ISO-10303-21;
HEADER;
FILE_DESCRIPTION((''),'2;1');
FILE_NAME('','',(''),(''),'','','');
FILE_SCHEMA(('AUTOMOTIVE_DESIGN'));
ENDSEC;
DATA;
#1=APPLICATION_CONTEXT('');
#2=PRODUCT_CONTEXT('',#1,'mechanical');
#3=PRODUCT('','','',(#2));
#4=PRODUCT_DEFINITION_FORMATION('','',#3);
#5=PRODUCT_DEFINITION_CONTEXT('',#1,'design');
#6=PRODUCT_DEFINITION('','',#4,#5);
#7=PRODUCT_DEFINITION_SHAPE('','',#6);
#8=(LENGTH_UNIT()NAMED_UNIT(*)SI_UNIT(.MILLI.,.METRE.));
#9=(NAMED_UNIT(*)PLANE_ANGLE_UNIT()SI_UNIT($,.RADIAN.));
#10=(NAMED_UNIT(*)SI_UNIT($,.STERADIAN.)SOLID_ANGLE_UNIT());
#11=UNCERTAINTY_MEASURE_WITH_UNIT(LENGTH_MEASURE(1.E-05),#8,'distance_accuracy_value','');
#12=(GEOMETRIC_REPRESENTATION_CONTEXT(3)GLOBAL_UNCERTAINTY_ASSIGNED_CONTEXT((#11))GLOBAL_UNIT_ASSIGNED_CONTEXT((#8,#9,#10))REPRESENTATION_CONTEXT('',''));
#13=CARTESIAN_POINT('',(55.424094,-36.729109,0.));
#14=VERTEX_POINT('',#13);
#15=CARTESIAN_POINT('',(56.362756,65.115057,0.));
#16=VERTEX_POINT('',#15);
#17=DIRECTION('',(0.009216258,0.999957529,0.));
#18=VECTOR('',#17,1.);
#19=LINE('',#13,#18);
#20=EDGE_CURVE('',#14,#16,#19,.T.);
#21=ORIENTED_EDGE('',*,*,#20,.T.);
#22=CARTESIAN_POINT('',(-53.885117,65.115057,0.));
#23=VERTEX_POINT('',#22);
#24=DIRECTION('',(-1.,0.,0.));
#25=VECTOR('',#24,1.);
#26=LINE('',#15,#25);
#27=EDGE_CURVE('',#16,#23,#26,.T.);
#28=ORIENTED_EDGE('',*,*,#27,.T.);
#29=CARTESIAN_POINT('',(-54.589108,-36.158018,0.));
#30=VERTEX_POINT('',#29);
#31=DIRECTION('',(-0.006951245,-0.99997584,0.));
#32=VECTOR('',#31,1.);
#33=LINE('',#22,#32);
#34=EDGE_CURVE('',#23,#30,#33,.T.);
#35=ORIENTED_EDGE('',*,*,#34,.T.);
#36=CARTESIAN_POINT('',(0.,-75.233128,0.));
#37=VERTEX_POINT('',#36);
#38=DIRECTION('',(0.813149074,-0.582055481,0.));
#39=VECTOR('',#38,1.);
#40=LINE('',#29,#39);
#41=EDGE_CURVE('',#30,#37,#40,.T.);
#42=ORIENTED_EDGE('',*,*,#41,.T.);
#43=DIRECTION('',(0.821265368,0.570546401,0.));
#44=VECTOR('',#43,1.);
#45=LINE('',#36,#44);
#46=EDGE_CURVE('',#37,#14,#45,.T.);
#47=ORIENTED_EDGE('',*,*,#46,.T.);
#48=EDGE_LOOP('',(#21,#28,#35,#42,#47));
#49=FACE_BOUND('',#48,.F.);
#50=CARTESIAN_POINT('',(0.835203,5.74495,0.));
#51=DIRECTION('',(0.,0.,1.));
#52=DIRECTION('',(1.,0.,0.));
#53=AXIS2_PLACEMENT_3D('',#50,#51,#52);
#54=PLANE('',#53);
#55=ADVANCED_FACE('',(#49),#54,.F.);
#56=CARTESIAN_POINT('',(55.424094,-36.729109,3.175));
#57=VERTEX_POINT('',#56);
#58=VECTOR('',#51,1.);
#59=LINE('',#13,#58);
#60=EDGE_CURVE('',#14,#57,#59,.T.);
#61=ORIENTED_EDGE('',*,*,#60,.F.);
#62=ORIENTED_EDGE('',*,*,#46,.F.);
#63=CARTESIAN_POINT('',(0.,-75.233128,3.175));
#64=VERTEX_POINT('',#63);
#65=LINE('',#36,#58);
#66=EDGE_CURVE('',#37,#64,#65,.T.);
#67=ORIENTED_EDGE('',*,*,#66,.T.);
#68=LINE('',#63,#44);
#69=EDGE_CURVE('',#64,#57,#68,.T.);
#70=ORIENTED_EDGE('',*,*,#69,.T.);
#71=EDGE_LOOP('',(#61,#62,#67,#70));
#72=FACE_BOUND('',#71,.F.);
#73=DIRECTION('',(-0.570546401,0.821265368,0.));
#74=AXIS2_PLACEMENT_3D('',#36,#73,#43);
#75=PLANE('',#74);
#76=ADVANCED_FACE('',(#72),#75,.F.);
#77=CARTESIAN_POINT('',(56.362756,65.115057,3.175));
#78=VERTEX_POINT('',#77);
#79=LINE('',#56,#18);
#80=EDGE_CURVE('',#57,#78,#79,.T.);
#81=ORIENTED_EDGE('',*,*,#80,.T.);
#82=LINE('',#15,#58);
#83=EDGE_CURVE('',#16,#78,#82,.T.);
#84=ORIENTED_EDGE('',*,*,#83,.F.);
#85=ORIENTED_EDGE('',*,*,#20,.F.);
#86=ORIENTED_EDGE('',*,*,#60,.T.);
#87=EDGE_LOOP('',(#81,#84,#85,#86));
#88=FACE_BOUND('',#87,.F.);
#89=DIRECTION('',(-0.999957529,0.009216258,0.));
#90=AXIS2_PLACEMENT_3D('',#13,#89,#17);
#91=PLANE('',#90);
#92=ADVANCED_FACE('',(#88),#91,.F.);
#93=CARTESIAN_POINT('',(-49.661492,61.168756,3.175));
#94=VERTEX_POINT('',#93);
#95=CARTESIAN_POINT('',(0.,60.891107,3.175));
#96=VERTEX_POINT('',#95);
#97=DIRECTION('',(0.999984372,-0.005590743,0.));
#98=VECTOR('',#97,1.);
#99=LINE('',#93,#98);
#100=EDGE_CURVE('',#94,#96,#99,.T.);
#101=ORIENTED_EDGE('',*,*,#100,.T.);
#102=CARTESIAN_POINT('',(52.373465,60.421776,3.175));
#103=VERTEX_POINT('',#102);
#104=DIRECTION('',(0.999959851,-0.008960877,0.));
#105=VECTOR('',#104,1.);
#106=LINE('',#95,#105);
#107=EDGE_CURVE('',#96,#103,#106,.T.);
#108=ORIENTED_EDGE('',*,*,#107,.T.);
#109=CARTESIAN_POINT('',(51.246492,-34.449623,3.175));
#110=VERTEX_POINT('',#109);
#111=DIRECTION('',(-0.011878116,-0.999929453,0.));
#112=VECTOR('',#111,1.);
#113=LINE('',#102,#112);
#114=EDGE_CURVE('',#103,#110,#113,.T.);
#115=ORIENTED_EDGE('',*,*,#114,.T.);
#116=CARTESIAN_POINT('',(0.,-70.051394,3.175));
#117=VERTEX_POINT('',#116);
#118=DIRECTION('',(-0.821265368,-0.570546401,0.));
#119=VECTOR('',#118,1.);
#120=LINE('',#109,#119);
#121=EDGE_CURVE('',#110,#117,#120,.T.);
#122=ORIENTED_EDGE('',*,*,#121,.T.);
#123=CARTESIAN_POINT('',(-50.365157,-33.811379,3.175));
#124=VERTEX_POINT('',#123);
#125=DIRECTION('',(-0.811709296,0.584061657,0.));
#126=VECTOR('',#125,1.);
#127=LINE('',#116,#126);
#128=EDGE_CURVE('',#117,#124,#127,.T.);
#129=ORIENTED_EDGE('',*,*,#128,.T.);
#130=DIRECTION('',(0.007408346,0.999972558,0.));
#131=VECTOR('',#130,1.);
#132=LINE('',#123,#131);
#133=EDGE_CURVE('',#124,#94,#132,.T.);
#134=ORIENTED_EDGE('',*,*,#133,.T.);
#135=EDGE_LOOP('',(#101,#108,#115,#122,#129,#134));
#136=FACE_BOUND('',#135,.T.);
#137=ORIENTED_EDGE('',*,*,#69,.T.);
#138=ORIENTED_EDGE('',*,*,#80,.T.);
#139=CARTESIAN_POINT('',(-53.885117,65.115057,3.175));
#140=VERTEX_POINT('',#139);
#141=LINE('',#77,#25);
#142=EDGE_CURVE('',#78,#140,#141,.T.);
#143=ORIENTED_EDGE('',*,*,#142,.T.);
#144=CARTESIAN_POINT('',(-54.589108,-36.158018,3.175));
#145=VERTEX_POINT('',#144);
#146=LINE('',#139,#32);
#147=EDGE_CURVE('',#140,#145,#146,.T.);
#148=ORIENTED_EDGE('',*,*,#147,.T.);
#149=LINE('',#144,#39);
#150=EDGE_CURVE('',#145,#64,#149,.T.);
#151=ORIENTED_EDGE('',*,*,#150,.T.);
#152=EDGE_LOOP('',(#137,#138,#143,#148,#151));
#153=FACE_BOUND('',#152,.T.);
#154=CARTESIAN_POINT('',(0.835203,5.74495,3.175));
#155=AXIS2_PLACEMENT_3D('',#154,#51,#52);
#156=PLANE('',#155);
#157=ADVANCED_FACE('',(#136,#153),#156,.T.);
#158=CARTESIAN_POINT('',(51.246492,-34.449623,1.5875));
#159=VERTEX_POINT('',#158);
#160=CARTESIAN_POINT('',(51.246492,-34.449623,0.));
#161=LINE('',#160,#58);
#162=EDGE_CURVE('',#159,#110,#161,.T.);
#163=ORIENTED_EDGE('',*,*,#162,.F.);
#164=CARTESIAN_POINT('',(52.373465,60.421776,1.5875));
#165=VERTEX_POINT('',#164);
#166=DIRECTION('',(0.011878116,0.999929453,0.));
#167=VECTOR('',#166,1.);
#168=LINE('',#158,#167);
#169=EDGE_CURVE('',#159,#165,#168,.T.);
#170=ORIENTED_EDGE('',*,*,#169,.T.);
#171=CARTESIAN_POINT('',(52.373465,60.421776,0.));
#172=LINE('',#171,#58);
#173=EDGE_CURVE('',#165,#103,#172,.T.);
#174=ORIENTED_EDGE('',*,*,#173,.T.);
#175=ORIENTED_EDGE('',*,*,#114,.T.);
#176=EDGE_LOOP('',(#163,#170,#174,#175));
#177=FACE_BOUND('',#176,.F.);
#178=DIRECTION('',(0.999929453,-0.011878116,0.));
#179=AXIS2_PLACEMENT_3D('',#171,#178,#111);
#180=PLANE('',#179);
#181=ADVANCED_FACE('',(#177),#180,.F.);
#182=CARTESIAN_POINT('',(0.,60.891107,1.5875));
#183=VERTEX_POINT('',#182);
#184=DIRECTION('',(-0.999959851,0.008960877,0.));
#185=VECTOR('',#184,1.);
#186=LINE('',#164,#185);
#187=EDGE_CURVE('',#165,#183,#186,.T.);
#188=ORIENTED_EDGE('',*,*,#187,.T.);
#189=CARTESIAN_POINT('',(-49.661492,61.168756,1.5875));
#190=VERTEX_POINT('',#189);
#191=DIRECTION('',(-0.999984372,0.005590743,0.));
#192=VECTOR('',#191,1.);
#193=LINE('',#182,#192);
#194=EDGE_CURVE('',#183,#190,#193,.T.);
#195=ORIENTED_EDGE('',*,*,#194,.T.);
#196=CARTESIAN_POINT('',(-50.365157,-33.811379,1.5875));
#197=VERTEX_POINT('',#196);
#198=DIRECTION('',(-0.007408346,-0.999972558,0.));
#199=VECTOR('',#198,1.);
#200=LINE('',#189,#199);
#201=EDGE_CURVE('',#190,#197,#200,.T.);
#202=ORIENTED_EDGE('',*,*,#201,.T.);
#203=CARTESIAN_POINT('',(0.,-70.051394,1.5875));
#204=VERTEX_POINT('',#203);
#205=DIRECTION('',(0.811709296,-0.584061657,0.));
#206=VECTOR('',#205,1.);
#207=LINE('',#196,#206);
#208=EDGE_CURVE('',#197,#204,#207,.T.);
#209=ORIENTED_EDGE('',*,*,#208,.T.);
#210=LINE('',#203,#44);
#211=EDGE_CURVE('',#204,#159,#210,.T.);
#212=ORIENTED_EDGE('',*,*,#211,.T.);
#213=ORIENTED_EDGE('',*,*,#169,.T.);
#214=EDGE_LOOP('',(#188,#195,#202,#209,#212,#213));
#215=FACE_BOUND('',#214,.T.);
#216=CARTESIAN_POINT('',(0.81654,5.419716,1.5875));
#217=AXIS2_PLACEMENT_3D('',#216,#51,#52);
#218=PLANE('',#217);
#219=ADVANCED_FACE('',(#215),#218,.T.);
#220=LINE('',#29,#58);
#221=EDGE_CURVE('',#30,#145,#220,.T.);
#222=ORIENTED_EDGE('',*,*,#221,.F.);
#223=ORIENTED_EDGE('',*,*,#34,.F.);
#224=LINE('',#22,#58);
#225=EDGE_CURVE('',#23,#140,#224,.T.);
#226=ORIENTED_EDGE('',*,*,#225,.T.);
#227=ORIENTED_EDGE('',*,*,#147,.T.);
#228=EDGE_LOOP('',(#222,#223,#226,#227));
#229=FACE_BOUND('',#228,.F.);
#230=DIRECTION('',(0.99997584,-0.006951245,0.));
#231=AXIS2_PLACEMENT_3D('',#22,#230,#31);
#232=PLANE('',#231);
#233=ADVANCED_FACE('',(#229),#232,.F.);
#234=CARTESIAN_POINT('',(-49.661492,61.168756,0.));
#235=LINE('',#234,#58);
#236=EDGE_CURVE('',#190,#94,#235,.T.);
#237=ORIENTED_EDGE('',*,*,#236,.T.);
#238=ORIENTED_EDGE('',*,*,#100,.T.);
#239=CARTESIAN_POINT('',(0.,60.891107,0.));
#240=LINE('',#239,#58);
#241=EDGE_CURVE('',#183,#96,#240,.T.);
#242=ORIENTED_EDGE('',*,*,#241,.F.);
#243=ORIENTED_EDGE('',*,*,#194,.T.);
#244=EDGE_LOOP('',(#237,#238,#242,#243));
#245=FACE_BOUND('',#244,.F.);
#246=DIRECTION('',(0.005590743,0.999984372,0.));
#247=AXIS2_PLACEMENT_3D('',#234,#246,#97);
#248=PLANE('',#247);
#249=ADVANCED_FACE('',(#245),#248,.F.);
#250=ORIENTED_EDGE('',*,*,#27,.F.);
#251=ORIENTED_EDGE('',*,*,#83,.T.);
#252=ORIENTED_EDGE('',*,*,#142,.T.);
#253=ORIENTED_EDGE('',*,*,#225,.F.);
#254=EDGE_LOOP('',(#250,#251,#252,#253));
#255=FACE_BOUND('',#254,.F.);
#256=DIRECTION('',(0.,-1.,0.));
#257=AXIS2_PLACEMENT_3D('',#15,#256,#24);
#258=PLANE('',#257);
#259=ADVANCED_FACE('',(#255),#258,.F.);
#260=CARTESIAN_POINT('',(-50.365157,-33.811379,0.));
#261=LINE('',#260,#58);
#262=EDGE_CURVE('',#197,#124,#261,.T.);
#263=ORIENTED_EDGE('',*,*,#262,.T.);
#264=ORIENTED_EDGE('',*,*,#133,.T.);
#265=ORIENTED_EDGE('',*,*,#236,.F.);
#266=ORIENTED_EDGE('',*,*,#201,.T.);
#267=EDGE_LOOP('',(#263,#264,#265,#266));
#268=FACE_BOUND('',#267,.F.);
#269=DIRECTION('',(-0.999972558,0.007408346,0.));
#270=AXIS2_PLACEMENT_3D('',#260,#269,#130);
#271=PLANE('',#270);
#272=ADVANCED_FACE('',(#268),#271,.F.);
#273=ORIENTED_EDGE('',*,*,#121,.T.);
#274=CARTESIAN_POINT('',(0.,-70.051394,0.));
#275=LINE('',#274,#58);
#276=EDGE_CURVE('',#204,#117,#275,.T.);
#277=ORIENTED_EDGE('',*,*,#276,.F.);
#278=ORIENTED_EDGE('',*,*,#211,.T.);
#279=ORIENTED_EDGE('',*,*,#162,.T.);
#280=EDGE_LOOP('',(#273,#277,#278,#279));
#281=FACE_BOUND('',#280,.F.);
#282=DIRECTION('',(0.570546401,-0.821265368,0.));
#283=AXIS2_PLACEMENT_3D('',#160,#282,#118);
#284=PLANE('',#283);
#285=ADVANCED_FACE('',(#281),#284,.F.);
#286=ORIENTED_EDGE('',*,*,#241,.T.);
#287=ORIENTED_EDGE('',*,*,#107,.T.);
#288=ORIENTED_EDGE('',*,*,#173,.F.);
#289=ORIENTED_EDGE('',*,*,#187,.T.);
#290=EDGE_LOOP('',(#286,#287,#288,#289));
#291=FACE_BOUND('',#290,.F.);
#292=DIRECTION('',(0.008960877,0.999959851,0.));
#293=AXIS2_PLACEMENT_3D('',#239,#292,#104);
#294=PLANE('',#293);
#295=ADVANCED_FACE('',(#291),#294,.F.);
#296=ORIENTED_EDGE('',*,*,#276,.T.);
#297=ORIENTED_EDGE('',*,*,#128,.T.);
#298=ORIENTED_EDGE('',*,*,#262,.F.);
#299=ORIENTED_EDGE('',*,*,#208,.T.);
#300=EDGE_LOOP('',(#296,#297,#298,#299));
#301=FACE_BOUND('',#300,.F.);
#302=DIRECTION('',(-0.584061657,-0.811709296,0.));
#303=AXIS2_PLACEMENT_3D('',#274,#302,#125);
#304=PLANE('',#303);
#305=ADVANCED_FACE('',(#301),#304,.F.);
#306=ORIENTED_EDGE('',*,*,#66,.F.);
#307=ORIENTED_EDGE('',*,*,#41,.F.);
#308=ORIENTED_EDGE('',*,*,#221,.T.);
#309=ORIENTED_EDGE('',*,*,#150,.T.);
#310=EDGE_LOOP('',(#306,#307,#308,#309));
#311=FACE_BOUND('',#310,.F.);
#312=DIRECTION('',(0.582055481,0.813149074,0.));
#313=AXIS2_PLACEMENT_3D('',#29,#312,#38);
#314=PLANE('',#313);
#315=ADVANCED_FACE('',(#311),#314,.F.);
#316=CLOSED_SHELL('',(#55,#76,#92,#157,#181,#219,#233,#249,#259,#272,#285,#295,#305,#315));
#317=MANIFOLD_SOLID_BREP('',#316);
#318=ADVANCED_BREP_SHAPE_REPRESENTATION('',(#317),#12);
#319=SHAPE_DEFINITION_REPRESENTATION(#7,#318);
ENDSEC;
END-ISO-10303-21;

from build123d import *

# Parameters (mm, degrees)
F1_DEPTH = 1.5875
F2_DEPTH = 3.175


with BuildPart() as f1:
    # F0 (on Top) → F1 (new body)
    with BuildSketch(Plane.XY):
        Polygon((-50.365157, -33.811379), (0, -70.051394), (51.246492, -34.449623), (52.373465, 60.421776), (0, 60.891107), (-49.661492, 61.168756), align=None)
    extrude(amount=F1_DEPTH)

    # F0 (on Top) → F2 (join)
    with BuildSketch(Plane.XY):
        Polygon((56.362756, 65.115057), (0, 65.115057), (-53.885117, 65.115057), (-54.589108, -36.158018), (0, -75.233128), (55.424094, -36.729109), align=None)
        Polygon((51.246492, -34.449623), (0, -70.051394), (-50.365157, -33.811379), (-49.661492, 61.168756), (0, 60.891107), (52.373465, 60.421776), align=None, mode=Mode.SUBTRACT)
    extrude(amount=F2_DEPTH)


solid = f1.part
